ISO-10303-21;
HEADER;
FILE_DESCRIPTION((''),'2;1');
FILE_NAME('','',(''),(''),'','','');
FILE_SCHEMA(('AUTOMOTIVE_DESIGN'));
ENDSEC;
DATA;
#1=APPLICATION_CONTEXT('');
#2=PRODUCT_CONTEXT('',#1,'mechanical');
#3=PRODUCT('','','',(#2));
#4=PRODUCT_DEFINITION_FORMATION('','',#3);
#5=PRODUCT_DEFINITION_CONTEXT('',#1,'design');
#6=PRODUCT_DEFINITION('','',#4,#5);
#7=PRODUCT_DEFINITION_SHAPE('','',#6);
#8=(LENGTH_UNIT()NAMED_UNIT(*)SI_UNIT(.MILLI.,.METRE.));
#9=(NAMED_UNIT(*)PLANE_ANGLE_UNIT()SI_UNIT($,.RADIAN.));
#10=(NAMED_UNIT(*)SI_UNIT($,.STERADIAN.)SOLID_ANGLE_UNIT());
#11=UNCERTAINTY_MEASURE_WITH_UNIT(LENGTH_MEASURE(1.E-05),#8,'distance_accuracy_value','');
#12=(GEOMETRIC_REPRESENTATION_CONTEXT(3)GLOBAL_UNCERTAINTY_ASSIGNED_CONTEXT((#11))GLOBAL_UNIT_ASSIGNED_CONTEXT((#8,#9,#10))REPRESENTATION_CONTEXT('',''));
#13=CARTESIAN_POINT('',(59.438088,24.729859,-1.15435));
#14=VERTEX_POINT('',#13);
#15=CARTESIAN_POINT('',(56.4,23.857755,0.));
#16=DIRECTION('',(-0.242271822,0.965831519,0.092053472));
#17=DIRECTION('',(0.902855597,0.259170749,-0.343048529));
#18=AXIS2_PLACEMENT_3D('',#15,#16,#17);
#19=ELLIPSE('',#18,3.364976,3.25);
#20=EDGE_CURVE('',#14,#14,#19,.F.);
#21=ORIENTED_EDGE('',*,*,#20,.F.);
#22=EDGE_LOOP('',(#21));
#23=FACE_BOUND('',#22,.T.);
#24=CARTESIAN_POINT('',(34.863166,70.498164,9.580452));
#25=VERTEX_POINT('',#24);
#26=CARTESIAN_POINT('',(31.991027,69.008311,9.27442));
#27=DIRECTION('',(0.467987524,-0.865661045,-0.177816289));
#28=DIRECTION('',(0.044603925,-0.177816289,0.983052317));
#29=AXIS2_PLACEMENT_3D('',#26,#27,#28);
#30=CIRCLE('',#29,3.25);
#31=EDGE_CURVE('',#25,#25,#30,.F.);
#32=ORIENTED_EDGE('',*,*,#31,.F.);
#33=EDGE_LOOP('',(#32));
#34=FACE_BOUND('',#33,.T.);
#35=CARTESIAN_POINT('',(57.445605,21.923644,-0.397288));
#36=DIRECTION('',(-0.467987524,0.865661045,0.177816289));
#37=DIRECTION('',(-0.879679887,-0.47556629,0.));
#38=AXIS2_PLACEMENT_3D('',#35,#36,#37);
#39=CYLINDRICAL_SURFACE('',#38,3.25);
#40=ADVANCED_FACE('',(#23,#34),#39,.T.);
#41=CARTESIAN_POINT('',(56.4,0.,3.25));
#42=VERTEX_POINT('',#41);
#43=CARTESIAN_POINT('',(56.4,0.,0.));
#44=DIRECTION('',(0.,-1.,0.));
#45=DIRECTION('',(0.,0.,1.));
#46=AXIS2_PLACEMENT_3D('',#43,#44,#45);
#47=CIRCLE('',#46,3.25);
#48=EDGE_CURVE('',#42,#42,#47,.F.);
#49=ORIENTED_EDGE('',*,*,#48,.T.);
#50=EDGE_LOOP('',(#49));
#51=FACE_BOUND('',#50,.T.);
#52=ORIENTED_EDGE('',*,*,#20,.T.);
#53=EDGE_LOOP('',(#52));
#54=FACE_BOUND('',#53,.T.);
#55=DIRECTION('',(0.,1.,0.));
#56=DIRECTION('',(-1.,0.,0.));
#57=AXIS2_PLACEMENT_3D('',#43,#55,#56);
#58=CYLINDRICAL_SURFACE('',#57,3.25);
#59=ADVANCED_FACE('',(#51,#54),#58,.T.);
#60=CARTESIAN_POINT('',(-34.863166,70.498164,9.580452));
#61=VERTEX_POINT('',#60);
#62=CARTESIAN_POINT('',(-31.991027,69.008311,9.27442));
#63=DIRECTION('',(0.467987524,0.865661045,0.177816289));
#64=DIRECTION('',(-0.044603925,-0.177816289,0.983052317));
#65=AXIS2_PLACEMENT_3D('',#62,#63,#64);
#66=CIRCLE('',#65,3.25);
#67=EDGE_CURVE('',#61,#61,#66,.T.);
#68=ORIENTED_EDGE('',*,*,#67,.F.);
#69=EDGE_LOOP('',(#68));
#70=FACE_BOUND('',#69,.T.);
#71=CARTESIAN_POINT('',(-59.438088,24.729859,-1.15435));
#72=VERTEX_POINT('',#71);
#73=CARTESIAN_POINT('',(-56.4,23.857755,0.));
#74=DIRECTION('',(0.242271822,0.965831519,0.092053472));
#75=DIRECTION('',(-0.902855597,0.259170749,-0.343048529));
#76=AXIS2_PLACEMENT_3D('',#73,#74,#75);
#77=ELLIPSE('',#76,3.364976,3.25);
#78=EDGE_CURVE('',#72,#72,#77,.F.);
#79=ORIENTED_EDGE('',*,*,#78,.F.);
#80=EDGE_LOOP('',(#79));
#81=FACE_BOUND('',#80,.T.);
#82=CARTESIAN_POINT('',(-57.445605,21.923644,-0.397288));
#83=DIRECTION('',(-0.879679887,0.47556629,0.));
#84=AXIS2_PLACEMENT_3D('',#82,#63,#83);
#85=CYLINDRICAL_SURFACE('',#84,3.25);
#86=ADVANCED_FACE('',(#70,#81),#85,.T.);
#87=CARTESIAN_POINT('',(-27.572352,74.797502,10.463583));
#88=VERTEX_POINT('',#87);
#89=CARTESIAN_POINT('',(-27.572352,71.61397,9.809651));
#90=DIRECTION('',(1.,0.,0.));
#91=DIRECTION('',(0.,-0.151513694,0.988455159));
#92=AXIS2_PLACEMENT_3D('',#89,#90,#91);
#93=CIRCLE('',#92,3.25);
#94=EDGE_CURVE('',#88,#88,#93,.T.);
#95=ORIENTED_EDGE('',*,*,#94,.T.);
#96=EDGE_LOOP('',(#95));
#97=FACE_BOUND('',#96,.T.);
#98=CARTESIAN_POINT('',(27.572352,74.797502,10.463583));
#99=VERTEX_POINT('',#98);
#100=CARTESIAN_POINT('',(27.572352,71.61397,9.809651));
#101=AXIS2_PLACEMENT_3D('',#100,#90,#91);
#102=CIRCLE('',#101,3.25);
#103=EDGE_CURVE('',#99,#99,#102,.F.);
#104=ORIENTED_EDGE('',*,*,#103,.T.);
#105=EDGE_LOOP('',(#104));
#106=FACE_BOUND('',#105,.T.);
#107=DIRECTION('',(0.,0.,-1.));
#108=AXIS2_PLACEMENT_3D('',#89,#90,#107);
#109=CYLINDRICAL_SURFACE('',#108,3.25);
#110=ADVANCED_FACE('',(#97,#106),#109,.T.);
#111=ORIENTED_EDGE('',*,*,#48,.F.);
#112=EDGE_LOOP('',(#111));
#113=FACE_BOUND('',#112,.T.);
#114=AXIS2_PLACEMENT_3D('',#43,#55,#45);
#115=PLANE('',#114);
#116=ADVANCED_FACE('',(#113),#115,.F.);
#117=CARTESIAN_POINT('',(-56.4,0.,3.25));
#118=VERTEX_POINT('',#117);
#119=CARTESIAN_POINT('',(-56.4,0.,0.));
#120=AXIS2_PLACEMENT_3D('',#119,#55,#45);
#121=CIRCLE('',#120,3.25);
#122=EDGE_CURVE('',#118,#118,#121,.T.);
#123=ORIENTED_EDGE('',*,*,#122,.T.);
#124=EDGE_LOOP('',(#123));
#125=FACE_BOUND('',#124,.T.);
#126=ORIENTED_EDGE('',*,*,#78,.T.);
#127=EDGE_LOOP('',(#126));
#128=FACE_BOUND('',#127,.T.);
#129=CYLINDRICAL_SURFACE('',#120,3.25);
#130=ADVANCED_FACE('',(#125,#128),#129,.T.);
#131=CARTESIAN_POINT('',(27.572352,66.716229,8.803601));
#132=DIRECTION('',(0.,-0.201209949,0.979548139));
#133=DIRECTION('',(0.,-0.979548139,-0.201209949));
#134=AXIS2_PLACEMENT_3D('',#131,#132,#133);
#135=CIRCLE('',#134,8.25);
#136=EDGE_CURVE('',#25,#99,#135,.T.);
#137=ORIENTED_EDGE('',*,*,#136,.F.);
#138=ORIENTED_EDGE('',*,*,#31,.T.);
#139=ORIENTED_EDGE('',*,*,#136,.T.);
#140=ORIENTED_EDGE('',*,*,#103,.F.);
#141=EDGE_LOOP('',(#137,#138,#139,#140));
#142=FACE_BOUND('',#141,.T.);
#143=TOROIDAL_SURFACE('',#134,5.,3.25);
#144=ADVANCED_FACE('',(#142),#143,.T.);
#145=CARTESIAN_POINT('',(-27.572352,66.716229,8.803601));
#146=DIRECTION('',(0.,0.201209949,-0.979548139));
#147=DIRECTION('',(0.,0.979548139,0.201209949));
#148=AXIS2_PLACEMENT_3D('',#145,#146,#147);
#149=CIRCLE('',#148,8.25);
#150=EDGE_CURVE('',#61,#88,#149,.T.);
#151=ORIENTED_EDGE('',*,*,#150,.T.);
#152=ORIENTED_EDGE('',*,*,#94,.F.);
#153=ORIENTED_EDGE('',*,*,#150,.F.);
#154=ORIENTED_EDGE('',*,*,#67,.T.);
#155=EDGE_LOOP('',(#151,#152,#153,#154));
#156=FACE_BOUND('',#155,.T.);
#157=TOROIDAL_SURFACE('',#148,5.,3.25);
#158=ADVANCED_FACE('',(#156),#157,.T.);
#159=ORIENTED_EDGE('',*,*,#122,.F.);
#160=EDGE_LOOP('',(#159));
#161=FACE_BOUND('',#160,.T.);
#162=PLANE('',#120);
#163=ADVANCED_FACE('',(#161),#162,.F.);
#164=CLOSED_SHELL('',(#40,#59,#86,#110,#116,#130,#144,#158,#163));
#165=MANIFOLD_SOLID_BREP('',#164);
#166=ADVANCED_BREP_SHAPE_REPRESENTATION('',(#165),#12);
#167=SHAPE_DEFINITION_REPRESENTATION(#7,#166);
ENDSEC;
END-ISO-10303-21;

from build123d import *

# Parameters (mm, degrees)
CROQUIS2_R = 3.25


with BuildPart() as part:
    # Barrer2: sweep along a curve in space
    with BuildLine() as barrer2_path:
        Line((-27.572352062, 71.613970134, 9.809651149), (0, 71.613970134, 9.809651149))
        ThreePointArc((-31.991027423, 69.008310978, 9.274420134), (-30.151141692, 70.912292174, 9.665518788), (-27.572352062, 71.613970134, 9.809651149))
        Line((-56.4, 23.857755349, 0), (-31.991027423, 69.008310978, 9.274420134))
        Line((-56.4, 0, 0), (-56.4, 23.857755349, 0))
    # Croquis2 → Barrer2 (sweep)
    with BuildSketch(Plane(origin=(0, 0, 0), x_dir=(1, 0, 0), z_dir=(0, 1, 0))):
        with Locations((-56.4, 0)):
            Circle(CROQUIS2_R)
    barrer2 = sweep(path=barrer2_path.line, transition=Transition.RIGHT)

    # Simetría1: Barrer2 across Right Plane
    add(barrer2.mirror(Plane(origin=(0, 0, 0), x_dir=(0, 0, -1), z_dir=(1, 0, 0))))


solid = part.part
